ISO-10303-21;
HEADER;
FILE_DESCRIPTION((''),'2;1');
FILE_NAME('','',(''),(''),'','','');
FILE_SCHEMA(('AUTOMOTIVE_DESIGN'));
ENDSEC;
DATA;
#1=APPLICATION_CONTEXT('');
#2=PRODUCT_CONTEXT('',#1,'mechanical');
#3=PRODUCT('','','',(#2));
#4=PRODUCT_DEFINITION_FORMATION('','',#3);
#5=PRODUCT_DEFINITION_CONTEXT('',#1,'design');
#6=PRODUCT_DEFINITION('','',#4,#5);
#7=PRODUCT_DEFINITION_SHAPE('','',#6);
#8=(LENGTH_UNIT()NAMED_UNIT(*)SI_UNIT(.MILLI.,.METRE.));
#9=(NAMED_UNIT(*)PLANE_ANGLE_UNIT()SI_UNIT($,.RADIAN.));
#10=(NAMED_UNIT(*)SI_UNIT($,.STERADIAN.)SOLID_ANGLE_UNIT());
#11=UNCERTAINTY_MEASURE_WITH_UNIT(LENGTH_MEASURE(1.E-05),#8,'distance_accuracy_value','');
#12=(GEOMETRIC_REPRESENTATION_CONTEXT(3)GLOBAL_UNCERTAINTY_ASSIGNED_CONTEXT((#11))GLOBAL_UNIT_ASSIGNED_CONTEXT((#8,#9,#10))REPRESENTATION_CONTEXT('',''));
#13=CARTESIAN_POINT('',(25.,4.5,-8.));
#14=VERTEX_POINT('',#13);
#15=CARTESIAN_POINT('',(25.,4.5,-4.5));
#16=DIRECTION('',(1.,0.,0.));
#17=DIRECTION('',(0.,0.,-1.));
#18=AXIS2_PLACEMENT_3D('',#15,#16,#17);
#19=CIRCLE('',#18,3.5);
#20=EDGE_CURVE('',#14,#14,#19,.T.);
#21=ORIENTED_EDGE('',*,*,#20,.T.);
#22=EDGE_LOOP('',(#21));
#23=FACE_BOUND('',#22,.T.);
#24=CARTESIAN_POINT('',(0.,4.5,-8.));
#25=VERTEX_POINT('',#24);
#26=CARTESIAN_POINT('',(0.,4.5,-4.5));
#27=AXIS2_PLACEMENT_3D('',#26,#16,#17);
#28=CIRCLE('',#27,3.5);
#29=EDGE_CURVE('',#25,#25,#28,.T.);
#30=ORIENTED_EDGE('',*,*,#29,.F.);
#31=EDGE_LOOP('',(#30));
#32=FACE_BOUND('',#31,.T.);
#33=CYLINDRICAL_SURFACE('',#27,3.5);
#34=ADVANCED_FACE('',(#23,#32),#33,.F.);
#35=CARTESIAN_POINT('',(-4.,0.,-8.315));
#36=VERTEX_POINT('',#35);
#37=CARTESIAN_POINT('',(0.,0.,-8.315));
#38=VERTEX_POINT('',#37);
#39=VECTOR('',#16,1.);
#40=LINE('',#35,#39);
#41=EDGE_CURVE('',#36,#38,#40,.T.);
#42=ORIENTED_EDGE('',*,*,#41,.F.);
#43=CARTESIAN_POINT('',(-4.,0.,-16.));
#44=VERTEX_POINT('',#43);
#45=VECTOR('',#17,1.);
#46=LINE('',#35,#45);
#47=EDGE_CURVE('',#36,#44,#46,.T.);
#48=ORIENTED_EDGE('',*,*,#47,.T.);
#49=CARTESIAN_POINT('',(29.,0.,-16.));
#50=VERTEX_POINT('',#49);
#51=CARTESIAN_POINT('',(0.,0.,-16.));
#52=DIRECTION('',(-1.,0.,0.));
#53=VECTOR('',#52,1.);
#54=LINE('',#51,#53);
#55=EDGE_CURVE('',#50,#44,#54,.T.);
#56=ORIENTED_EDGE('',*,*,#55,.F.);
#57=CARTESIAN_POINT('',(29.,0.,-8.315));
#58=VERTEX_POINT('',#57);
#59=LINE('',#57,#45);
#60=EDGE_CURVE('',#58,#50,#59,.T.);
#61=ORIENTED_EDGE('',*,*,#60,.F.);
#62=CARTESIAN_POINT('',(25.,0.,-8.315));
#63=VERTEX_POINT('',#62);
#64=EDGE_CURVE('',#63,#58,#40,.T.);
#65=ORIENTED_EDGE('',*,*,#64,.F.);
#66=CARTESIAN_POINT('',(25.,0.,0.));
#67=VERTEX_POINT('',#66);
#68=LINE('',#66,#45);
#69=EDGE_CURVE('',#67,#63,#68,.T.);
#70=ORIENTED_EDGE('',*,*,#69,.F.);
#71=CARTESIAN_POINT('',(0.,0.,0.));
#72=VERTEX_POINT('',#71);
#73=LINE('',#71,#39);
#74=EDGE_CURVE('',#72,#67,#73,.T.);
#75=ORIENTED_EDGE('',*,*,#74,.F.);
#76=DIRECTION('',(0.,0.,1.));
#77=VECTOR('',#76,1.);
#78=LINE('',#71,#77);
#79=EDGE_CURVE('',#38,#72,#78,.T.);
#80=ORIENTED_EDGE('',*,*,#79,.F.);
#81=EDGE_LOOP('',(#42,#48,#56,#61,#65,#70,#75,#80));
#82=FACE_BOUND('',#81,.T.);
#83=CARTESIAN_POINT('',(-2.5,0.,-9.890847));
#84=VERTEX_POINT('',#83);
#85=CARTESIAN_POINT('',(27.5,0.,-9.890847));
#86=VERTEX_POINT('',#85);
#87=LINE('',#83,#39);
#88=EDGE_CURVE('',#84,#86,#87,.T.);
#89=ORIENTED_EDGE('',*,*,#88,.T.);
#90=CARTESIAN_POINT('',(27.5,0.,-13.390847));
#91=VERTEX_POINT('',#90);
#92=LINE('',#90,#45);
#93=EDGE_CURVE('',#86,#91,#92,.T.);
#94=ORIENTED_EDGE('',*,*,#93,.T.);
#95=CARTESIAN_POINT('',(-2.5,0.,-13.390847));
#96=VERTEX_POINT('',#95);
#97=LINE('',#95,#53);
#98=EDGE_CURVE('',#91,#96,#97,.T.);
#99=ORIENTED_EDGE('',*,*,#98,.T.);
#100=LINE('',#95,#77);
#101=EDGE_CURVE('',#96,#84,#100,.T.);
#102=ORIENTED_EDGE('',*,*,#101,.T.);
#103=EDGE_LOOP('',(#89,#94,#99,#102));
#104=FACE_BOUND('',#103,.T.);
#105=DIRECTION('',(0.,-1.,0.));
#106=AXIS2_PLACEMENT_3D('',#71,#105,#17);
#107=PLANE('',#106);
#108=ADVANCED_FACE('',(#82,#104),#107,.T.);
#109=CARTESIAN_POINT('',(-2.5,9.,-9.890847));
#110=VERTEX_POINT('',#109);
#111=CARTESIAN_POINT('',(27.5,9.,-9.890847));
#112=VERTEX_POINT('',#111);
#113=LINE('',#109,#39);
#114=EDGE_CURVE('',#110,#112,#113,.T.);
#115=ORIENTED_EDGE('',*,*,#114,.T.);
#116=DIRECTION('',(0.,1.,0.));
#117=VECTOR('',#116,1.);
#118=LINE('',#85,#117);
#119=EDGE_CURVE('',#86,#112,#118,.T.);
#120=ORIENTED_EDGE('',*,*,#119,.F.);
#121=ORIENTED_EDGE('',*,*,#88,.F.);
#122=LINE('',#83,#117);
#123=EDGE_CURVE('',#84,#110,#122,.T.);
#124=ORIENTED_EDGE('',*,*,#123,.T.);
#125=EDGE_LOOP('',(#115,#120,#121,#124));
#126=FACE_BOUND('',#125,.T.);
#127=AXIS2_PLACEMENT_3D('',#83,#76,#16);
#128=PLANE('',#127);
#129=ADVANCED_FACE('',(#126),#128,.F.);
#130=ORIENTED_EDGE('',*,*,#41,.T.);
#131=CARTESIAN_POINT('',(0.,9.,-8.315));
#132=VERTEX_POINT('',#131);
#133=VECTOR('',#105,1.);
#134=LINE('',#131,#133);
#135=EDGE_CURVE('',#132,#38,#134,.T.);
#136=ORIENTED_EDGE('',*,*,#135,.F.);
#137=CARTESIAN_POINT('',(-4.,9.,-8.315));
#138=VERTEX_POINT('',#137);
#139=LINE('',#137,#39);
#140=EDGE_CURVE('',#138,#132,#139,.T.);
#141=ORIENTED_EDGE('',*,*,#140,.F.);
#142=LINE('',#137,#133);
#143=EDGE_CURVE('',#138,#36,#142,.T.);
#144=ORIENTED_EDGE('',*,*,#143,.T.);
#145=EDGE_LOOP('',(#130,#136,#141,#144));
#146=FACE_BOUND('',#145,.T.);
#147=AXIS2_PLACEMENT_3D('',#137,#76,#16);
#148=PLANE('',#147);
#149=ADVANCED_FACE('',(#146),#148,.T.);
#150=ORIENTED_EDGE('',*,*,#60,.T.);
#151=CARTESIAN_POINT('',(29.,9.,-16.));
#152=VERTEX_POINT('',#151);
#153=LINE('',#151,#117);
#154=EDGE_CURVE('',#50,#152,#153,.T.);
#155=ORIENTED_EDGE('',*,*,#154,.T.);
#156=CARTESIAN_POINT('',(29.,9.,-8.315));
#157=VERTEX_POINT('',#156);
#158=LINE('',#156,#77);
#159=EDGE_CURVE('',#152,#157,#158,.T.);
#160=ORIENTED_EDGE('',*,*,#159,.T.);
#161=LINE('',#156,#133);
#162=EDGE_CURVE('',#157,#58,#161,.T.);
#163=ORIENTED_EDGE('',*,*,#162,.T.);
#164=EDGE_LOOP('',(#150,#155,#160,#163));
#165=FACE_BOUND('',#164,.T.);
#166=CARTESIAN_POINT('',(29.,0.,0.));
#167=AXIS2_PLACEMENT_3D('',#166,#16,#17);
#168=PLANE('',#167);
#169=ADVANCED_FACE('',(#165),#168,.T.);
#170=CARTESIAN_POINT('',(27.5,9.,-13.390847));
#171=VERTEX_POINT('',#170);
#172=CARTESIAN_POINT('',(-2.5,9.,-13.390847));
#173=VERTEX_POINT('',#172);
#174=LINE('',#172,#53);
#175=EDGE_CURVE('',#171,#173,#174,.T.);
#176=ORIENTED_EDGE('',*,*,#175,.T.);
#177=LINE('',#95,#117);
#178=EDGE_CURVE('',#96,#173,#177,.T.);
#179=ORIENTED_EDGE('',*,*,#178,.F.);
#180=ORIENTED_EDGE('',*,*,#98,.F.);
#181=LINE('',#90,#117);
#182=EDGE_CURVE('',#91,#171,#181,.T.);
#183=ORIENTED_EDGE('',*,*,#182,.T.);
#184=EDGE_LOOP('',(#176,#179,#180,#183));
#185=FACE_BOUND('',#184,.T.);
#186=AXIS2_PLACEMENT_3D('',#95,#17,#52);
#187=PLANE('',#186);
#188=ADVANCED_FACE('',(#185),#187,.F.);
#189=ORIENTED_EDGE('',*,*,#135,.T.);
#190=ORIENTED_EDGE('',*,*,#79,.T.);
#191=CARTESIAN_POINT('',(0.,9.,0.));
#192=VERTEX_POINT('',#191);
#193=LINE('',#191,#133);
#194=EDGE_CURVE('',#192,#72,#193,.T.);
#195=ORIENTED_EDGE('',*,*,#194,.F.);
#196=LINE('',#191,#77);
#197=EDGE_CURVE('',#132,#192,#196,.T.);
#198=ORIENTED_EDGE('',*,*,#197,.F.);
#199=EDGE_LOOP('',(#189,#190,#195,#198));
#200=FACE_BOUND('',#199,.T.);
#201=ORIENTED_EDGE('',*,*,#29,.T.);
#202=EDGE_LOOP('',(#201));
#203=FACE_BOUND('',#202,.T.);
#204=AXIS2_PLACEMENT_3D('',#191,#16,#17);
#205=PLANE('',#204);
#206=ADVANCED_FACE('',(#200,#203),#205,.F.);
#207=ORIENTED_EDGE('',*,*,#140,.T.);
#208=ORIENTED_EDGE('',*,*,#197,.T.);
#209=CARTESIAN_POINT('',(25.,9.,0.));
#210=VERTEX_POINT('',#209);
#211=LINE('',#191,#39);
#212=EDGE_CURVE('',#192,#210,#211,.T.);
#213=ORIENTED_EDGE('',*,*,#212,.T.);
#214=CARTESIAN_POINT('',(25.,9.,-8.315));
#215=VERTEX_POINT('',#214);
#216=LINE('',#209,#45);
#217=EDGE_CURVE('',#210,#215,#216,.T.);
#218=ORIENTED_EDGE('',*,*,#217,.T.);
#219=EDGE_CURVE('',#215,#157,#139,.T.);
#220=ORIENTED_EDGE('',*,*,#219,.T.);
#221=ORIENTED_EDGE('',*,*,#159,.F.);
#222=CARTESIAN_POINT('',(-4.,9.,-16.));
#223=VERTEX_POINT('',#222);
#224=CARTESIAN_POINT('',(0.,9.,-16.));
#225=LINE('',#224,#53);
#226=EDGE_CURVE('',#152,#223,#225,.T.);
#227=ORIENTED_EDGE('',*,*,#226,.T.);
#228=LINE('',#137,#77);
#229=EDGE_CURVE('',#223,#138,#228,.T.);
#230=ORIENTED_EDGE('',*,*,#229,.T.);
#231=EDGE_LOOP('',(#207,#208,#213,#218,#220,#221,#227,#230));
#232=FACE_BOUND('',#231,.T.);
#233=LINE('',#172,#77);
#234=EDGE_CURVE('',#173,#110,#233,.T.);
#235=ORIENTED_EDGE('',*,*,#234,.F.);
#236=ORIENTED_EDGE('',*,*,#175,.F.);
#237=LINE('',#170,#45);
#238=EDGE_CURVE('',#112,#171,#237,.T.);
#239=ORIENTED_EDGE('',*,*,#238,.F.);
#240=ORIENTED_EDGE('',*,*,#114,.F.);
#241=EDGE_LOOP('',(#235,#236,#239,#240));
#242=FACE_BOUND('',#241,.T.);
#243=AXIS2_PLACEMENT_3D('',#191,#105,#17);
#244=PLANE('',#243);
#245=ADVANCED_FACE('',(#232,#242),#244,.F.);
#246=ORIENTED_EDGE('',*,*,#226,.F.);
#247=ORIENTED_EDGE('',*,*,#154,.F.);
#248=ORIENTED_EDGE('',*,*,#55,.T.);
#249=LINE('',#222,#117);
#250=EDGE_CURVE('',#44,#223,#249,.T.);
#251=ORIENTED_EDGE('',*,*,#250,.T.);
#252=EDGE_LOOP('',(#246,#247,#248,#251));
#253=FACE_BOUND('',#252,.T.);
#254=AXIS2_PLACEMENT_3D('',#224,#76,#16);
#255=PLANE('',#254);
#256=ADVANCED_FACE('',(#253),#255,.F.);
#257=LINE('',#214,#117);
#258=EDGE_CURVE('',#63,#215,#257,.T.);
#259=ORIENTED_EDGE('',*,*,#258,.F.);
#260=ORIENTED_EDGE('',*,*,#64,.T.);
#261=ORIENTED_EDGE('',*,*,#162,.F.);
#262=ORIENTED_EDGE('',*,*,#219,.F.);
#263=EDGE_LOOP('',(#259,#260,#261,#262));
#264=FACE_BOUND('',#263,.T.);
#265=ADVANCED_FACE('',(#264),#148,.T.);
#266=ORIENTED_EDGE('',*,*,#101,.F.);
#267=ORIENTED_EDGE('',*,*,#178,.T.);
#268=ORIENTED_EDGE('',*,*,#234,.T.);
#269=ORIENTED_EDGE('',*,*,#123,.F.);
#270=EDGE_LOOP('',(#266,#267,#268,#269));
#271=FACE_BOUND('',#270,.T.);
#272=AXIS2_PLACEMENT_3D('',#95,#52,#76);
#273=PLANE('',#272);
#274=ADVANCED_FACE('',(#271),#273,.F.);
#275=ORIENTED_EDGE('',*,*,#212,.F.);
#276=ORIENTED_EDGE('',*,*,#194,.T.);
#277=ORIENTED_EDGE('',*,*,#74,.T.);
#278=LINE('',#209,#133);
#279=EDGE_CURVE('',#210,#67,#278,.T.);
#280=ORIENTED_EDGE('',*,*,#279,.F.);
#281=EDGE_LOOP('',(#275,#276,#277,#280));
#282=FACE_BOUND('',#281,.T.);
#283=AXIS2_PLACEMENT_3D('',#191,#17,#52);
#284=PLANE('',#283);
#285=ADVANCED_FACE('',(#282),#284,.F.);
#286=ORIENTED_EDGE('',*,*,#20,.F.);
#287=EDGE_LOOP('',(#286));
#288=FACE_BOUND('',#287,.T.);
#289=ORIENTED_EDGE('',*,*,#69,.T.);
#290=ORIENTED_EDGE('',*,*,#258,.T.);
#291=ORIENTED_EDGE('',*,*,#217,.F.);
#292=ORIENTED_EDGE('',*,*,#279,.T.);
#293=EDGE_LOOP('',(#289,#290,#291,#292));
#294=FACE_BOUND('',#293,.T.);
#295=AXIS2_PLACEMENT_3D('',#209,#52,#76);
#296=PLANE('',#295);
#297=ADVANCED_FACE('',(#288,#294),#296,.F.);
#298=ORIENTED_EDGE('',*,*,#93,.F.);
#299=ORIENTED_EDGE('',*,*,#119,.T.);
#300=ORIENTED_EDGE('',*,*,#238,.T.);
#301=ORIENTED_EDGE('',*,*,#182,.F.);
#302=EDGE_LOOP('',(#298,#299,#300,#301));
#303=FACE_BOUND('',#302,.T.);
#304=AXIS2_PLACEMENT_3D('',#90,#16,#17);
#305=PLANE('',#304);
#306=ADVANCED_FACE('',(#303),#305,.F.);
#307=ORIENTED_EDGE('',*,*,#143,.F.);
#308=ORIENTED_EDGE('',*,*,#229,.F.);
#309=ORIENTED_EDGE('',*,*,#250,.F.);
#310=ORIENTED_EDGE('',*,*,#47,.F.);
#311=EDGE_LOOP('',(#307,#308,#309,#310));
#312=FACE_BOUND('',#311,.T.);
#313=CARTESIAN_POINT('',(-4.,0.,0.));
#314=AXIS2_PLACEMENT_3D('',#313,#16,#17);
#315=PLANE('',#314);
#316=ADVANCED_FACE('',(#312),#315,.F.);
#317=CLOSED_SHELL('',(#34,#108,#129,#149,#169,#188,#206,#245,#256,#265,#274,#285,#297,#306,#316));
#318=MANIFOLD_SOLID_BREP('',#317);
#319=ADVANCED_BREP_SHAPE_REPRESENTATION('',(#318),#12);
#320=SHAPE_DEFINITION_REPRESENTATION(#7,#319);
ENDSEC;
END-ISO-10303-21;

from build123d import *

# Parameters (mm, degrees)
ESQUISSE1_W             = 25
ESQUISSE1_H             = 16
BOSS_EXTRU_1_DEPTH      = 9
ESQUISSE2_R             = 3.5
ENL_V_MAT_EXTRU_1_DEPTH = 32.016124839
BOSS_EXTRU_2_DEPTH      = 4
BOSS_EXTRU_2_DEPTH_BACK = 29
ESQUISSE5_W             = 7.685000099
ESQUISSE5_H             = 9
ESQUISSE3_W             = 30
ESQUISSE3_H             = 3.5
ENL_V_MAT_EXTRU_3_DEPTH = 35.322004603


with BuildPart() as part:
    # Esquisse1 → Boss.-Extru.1 (new body)
    with BuildSketch(Plane(origin=(0, 0, 0), x_dir=(1, 0, 0), z_dir=(0, 1, 0))):
        with Locations((12.5, 8)):
            Rectangle(ESQUISSE1_W, ESQUISSE1_H)
    extrude(amount=BOSS_EXTRU_1_DEPTH)

    # Esquisse2 → Enlèv. mat.-Extru.1 (cut, through all)
    with BuildSketch(Plane(origin=(25, 0, 0), x_dir=(0, 0, -1), z_dir=(1, 0, 0))):
        with Locations((4.5, 4.5)):
            Circle(ESQUISSE2_R)
    extrude(amount=-ENL_V_MAT_EXTRU_1_DEPTH, mode=Mode.SUBTRACT)

    # Esquisse5 → Boss.-Extru.2 (add, two sides: drawn at the far end of the back side and taken through both)
    with BuildSketch(Plane(origin=(25, 0, 0), x_dir=(0, 0, -1), z_dir=(1, 0, 0)).offset(-BOSS_EXTRU_2_DEPTH_BACK)):
        with Locations((12.157499951, 4.5)):
            Rectangle(ESQUISSE5_W, ESQUISSE5_H)
    extrude(amount=BOSS_EXTRU_2_DEPTH + BOSS_EXTRU_2_DEPTH_BACK)

    # Esquisse3 → Enlèv. mat.-Extru.3 (cut, through all)
    with BuildSketch(Plane(origin=(0, 9, 0), x_dir=(1, 0, 0), z_dir=(0, 1, 0))):
        with Locations((12.5, 11.640847207)):
            Rectangle(ESQUISSE3_W, ESQUISSE3_H)
    extrude(amount=-ENL_V_MAT_EXTRU_3_DEPTH, mode=Mode.SUBTRACT)


solid = part.part
